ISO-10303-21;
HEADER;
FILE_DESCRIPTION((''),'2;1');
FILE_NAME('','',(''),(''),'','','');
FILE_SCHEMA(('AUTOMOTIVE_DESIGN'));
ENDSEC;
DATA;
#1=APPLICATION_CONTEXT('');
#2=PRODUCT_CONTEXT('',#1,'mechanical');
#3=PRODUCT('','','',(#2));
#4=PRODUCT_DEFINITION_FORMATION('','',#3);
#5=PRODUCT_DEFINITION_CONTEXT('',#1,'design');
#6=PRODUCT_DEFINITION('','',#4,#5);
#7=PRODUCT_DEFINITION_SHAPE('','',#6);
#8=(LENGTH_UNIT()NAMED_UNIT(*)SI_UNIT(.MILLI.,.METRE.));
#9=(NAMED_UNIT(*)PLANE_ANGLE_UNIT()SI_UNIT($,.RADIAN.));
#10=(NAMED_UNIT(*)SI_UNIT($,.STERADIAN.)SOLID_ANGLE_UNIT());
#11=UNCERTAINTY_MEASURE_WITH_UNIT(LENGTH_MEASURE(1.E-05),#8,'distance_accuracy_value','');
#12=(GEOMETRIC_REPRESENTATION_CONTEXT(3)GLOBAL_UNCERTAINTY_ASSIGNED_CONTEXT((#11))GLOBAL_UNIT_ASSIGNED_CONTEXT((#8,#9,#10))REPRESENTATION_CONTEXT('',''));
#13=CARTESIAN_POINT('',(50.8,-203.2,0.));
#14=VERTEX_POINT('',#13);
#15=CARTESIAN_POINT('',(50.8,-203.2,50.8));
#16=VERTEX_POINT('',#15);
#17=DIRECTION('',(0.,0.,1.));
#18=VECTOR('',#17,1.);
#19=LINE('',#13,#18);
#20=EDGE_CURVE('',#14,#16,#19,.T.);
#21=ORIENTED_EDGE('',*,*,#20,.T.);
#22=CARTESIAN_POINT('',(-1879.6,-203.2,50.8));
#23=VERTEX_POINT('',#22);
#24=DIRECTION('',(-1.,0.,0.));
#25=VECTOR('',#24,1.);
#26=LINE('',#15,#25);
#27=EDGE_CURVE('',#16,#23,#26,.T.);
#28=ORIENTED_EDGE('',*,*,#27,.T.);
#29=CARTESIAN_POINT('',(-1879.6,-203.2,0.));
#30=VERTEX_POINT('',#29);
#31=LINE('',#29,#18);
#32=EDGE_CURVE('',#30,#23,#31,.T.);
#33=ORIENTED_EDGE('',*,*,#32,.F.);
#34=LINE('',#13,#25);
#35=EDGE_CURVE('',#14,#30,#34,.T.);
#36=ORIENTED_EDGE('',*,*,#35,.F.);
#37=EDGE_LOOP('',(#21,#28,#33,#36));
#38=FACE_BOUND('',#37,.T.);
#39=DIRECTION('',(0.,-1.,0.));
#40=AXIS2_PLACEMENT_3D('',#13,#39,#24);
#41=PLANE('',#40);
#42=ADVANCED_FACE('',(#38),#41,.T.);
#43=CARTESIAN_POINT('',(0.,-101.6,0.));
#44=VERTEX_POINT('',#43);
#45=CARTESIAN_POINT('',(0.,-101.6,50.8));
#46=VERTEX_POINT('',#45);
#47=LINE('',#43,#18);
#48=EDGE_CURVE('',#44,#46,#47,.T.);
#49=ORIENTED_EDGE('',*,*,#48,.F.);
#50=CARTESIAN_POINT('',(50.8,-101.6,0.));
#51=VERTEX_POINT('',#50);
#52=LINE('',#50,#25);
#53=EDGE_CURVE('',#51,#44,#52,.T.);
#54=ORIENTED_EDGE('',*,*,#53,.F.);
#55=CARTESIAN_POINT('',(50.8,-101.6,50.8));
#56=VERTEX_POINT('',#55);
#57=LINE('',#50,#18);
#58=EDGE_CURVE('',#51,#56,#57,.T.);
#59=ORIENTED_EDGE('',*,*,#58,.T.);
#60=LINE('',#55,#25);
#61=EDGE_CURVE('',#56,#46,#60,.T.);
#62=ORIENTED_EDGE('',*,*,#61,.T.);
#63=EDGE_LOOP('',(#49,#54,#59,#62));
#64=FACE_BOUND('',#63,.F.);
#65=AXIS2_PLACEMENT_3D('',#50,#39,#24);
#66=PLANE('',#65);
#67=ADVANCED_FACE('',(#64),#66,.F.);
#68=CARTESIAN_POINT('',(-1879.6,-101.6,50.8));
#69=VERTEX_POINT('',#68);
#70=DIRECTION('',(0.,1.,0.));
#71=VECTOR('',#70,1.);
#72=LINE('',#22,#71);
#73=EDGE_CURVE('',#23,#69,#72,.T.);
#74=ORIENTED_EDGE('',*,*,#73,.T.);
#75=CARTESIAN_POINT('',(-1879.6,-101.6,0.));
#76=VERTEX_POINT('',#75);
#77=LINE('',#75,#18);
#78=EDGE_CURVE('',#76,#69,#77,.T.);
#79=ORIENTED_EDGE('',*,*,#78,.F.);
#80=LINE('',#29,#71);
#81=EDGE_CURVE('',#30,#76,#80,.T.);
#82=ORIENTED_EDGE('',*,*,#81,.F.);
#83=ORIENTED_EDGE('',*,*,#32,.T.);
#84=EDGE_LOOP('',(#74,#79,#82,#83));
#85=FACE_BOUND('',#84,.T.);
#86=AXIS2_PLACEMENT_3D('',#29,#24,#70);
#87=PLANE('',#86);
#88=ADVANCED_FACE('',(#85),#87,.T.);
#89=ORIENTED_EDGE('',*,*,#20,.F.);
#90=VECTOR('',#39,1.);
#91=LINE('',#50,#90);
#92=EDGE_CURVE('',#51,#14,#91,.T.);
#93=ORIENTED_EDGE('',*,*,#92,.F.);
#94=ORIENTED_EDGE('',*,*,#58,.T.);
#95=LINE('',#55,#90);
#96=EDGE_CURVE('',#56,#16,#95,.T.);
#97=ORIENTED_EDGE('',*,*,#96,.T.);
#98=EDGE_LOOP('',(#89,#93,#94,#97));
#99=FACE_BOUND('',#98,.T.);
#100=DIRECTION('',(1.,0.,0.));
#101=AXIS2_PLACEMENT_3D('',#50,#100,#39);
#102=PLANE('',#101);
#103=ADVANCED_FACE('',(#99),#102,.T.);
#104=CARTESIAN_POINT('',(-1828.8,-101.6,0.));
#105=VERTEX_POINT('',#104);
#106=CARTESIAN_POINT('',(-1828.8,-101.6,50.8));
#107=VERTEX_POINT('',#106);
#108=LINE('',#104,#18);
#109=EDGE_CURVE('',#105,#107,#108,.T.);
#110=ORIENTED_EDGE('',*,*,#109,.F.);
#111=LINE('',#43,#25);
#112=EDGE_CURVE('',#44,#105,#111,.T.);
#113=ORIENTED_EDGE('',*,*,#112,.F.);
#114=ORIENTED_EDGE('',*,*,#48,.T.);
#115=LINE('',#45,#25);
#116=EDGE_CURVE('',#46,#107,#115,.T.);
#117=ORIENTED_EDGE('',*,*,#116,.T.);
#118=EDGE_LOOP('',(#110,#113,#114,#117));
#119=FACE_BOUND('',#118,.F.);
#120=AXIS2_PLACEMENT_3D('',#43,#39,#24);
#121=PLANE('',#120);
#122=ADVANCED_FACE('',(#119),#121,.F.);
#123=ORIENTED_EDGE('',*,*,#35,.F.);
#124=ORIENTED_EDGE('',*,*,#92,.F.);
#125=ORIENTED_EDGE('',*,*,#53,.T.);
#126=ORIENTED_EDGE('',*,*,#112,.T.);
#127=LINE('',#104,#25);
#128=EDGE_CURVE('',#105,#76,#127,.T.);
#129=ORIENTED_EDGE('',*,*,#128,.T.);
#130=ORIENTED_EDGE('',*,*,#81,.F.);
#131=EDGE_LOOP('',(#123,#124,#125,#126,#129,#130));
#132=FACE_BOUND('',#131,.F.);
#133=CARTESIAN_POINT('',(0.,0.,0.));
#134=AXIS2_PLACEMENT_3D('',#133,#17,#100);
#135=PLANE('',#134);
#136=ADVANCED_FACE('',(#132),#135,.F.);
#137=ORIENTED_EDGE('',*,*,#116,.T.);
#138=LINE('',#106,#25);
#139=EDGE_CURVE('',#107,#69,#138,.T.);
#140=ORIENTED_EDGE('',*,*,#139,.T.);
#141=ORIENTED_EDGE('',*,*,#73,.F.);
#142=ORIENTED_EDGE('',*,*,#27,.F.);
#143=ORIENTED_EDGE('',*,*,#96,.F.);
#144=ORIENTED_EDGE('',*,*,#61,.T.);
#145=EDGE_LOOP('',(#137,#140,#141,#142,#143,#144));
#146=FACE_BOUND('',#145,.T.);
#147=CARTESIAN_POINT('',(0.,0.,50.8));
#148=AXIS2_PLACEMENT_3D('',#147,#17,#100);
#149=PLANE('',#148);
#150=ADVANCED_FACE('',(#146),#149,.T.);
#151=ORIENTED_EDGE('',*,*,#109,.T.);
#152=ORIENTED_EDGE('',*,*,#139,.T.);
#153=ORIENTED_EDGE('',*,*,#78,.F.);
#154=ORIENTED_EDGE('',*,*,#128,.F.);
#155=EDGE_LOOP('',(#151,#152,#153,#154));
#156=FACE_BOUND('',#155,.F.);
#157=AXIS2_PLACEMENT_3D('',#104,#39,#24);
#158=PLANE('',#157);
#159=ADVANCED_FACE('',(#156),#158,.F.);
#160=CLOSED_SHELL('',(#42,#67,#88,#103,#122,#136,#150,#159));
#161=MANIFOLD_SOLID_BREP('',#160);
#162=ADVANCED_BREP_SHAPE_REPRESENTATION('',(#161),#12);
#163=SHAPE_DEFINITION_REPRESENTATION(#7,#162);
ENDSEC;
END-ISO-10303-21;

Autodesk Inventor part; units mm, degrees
ref_plane "YZ Plane" through (0, 0, 0) normal (1, 0, 0) x (0, 1, 0)
ref_plane "XZ Plane" through (0, 0, 0) normal (0, 1, 0) x (-1, 0, 0)
ref_plane "XY Plane" through (0, 0, 0) normal (0, 0, 1) x (1, 0, 0)
ref_plane "Work Plane1" through (0, 0, 0) normal (0, 0, 1) x (1, 0, 0)
sketch "Sketch1" plane through (0, 0, 0) normal (0, 0, 1) x (1, 0, 0)
  line L0 (0, 0) -> (0, -101.6) projected
  line L1 (0, 0) -> (-1828.8, 0) projected
  line L2 (-1828.8, 0) -> (-1828.8, -101.6) projected
  line L3 (0, -101.6) -> (-1828.8, -101.6) projected
  line L4 (50.8, -101.6) -> (0, -101.6) projected
  line L5 (50.8, 0) -> (50.8, -101.6) projected
  line L6 (-1828.8, -101.6) -> (-1879.6, -101.6) projected
  line L7 (-1828.8, 0) -> (-1828.8, -101.6) projected
  line L8 (-1879.6, -50.8) -> (-1879.6, -101.6) projected
  line L9 (-1879.6, -101.6) -> (50.8, -101.6)
  line L10 (50.8, -101.6) -> (50.8, -203.2)
  line L11 (50.8, -203.2) -> (-1879.6, -203.2)
  line L12 (-1879.6, -203.2) -> (-1879.6, -101.6)
  dimension "d0" = 101.6
extrude "Extrusion1" add sketch "Sketch1" along normal blind 50.8 contours L4 L10 L11 L12 L6 L3
properties part number "2x4x76" material "Wood (Birch)"
